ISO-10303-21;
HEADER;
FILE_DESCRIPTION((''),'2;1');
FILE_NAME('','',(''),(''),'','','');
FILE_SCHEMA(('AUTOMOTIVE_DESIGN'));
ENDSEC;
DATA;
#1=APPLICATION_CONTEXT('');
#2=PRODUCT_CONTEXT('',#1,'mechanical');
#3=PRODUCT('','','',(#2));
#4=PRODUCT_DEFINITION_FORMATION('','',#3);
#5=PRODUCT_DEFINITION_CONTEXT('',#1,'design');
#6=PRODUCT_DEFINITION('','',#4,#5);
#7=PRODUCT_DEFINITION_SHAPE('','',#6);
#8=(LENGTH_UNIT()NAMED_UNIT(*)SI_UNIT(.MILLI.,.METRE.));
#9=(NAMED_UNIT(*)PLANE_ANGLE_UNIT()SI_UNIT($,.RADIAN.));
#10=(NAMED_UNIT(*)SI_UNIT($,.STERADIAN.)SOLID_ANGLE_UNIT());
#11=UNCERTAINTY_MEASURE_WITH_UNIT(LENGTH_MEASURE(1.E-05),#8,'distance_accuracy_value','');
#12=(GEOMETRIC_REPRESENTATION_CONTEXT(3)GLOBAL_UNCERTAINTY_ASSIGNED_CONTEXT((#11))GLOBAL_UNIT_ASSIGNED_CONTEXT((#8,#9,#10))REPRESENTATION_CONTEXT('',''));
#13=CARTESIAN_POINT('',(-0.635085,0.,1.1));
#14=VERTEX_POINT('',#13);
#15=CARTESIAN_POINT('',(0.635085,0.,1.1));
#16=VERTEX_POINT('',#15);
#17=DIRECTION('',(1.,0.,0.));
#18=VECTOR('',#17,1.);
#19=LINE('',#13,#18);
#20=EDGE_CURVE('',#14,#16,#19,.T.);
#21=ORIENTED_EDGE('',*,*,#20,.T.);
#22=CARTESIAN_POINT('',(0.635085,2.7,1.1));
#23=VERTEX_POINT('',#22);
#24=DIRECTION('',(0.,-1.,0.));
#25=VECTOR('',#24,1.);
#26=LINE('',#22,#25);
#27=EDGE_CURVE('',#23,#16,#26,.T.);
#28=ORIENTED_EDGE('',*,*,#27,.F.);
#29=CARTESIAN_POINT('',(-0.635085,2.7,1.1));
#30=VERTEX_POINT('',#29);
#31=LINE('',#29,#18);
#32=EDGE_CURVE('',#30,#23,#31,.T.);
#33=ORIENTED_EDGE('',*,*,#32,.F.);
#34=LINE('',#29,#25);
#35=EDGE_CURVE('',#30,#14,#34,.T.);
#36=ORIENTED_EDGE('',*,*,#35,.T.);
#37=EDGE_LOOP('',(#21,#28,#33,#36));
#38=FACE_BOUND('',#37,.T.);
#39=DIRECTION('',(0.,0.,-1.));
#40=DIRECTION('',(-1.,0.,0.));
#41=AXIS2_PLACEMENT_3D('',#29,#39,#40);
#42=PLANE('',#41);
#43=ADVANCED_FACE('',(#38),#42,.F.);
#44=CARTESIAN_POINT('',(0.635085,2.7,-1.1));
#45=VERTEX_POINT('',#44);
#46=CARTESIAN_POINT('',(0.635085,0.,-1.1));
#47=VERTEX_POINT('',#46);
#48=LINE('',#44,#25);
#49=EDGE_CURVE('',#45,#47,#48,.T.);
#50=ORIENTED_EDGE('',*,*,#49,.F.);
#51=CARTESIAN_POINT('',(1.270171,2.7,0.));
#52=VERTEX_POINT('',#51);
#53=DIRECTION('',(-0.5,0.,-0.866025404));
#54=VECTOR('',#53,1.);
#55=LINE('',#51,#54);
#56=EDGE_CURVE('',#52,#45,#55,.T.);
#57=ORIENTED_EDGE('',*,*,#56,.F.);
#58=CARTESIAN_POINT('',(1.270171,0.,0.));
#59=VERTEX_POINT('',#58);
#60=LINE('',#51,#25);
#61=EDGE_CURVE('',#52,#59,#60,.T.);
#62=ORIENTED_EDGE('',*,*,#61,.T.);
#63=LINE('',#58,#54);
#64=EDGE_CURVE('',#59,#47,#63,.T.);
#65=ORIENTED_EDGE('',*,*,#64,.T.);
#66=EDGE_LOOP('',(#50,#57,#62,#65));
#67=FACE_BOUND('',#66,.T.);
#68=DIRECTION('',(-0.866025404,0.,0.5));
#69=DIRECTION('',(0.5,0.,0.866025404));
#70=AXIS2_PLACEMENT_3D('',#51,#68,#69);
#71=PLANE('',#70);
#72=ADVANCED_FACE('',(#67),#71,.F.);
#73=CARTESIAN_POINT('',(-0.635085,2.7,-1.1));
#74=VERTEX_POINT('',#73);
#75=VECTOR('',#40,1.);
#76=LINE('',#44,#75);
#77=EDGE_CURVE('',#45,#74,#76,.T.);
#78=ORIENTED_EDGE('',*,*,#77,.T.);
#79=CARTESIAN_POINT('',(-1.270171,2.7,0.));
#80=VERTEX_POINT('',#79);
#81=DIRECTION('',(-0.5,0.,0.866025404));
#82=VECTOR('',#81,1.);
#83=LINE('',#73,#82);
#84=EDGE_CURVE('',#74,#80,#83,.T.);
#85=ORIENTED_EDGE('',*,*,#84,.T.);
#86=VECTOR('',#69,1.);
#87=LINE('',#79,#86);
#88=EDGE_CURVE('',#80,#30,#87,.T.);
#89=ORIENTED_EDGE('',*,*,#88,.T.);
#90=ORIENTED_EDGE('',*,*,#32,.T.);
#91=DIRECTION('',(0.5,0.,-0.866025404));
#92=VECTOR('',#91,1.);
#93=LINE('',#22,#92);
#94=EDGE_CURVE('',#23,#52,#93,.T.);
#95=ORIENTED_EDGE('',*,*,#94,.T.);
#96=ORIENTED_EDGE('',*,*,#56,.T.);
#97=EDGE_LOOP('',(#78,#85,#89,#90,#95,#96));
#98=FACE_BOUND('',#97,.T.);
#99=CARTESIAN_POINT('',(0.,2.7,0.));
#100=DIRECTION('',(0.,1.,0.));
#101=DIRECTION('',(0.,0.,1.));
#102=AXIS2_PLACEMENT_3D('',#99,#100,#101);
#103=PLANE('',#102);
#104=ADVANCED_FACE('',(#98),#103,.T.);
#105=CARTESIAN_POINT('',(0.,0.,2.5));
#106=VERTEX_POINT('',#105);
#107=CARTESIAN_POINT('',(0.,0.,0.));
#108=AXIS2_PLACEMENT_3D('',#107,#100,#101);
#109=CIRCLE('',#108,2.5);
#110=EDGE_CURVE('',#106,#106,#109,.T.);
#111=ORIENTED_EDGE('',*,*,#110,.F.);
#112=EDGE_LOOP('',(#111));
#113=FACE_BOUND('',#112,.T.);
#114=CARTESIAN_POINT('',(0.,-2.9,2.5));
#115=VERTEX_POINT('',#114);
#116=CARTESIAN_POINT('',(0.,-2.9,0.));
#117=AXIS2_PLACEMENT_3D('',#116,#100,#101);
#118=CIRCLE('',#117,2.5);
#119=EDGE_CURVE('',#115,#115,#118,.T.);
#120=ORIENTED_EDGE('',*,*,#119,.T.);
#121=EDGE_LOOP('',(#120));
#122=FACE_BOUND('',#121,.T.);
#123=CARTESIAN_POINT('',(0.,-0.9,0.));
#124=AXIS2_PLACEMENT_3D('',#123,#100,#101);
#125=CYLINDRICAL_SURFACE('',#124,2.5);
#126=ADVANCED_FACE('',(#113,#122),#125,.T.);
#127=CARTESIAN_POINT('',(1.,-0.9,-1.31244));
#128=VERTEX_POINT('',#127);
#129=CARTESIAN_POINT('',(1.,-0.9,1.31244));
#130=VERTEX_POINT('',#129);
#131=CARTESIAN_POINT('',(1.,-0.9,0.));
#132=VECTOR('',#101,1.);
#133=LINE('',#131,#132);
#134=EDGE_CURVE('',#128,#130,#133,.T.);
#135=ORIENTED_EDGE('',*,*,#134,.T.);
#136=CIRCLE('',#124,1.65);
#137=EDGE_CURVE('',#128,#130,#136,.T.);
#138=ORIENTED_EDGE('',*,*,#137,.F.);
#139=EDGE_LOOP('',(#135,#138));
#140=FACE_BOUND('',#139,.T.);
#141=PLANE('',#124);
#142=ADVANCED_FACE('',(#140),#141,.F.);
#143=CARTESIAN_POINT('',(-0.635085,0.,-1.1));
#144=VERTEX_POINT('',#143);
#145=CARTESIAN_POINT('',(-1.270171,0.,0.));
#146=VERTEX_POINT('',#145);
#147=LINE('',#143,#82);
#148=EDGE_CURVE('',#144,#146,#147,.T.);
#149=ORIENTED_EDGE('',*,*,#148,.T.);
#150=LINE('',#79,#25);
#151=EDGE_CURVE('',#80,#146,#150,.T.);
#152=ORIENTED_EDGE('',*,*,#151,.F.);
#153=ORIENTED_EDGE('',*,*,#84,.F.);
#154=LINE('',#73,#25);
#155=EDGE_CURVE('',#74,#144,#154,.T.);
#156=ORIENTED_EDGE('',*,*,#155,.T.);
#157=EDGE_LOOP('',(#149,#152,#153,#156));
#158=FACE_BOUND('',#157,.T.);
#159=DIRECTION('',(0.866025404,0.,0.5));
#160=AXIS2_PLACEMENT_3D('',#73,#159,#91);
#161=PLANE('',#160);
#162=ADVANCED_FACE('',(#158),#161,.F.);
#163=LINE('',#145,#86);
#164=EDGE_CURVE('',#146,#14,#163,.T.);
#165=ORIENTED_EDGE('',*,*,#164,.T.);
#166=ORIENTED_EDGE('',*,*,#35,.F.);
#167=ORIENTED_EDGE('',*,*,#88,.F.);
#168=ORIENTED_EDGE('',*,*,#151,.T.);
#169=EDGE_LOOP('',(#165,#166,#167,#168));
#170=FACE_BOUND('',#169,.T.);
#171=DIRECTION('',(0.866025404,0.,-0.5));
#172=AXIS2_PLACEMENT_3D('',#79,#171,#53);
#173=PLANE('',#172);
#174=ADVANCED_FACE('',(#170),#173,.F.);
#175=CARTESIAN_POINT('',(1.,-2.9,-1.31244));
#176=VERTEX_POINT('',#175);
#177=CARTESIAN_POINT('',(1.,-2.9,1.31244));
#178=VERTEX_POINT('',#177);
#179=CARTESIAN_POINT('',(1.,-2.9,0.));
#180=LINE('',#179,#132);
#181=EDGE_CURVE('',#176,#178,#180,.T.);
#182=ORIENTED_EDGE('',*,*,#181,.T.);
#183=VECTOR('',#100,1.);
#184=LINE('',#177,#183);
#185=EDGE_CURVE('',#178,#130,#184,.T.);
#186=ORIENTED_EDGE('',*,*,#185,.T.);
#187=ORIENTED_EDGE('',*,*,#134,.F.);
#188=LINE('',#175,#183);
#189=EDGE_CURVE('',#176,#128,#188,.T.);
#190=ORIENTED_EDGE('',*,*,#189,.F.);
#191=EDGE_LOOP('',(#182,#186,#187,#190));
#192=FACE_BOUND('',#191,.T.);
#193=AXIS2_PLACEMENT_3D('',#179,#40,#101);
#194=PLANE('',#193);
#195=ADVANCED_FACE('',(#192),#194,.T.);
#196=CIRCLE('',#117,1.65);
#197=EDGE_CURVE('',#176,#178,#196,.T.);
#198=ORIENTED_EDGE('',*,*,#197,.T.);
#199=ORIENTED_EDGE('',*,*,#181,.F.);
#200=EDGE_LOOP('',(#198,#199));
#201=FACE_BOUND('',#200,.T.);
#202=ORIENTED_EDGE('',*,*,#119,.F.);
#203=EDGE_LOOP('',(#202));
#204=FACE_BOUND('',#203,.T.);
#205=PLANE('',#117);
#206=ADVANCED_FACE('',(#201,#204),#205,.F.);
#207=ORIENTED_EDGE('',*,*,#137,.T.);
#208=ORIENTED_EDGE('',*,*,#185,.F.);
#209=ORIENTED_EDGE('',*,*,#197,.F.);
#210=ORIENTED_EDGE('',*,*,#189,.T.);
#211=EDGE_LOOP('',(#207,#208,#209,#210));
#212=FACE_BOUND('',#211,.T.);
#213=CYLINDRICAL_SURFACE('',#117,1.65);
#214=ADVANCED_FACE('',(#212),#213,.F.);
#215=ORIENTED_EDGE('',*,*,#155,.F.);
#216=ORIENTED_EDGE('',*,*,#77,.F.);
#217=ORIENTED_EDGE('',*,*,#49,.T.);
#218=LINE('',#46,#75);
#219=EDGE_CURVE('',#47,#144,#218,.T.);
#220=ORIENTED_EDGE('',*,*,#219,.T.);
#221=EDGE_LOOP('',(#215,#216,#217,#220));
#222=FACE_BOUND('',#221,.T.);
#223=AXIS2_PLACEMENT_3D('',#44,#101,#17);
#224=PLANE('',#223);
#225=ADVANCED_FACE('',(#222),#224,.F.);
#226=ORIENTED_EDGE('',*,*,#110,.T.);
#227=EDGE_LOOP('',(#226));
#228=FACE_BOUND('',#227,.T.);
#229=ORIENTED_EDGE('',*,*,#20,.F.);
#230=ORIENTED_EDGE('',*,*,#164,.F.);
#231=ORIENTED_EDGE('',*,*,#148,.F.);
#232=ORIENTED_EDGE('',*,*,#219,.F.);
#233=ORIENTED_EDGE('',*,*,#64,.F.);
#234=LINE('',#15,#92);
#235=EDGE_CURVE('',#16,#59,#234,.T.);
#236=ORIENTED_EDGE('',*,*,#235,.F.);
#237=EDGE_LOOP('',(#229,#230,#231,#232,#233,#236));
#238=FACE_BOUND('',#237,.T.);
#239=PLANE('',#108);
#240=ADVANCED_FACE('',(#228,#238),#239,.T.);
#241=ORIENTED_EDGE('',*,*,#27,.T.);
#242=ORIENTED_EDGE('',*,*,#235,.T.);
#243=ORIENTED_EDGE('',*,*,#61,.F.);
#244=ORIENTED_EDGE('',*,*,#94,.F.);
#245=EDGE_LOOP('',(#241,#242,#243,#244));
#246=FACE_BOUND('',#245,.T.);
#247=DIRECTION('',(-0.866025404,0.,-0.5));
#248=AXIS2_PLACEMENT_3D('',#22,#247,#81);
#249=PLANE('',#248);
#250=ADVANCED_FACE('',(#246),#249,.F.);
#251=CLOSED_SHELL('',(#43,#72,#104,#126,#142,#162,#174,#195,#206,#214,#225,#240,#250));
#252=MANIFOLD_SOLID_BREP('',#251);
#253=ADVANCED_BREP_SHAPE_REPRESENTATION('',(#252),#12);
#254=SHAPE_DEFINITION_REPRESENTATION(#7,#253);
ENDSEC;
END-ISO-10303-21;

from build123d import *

# Parameters (mm, degrees)
EXTRUDE_1_DEPTH = 2.7
SKETCH_1_4_R    = 2.5
EXTRUDE_3_DEPTH = 0.9
EXTRUDE_START   = -0.9
SKETCH_1_3_R    = 2.5
SKETCH_1_3_R_2  = 1.65
EXTRUDE_2_DEPTH = 2


with BuildPart() as part:
    # 草图1 → 凸台-拉伸1 (new body)
    with BuildSketch(Plane(origin=(0, 0, 0), x_dir=(1, 0, 0), z_dir=(0, 1, 0))):
        Polygon((1.270170592, 0), (0.635085296, 1.1), (-0.635085296, 1.1), (-1.270170592, 0), (-0.635085296, -1.1), (0.635085296, -1.1), align=None)
    extrude(amount=EXTRUDE_1_DEPTH)

    # 草图1<4> → 凸台-拉伸3 (add)
    with BuildSketch(Plane(origin=(0, 0, 0), x_dir=(1, 0, 0), z_dir=(0, 1, 0))):
        with Locations(Location((0, 0, 0), (0, 0, 270))):
            Circle(SKETCH_1_4_R)
    extrude(amount=-EXTRUDE_3_DEPTH)

    # 草图1<3> → 凸台-拉伸2 (add)
    # profile 1 of 3: a face of its own
    with BuildSketch(Plane(origin=(0, 0, 0), x_dir=(1, 0, 0), z_dir=(0, 1, 0)).offset(EXTRUDE_START)):
        with Locations(Location((0, 0, 0), (0, 0, 270))):
            Circle(SKETCH_1_3_R)
        Circle(SKETCH_1_3_R_2, mode=Mode.SUBTRACT)
    # profile 2 of 3: a face of its own
    with BuildSketch(Plane(origin=(0, 0, 0), x_dir=(1, 0, 0), z_dir=(0, 1, 0)).offset(EXTRUDE_START)):
        with BuildLine():
            ThreePointArc((1.65, 0), (1.478597308, 0.732290926), (1, 1.312440475))
            Line((1, 1.312440475), (1, 0.467949192))
            Line((1, 0.467949192), (1.270170592, 0))
            Line((1.270170592, 0), (1, -0.467949192))
            Line((1, -0.467949192), (1, -1.312440475))
            ThreePointArc((1, -1.312440475), (1.478597308, -0.732290926), (1.65, 0))
        make_face()
    # profile 3 of 3: a face of its own
    with BuildSketch(Plane(origin=(0, 0, 0), x_dir=(1, 0, 0), z_dir=(0, 1, 0)).offset(EXTRUDE_START)):
        Polygon((1.270170592, 0), (1, 0.467949192), (1, -0.467949192), align=None)
    extrude(amount=-EXTRUDE_2_DEPTH)


solid = part.part
